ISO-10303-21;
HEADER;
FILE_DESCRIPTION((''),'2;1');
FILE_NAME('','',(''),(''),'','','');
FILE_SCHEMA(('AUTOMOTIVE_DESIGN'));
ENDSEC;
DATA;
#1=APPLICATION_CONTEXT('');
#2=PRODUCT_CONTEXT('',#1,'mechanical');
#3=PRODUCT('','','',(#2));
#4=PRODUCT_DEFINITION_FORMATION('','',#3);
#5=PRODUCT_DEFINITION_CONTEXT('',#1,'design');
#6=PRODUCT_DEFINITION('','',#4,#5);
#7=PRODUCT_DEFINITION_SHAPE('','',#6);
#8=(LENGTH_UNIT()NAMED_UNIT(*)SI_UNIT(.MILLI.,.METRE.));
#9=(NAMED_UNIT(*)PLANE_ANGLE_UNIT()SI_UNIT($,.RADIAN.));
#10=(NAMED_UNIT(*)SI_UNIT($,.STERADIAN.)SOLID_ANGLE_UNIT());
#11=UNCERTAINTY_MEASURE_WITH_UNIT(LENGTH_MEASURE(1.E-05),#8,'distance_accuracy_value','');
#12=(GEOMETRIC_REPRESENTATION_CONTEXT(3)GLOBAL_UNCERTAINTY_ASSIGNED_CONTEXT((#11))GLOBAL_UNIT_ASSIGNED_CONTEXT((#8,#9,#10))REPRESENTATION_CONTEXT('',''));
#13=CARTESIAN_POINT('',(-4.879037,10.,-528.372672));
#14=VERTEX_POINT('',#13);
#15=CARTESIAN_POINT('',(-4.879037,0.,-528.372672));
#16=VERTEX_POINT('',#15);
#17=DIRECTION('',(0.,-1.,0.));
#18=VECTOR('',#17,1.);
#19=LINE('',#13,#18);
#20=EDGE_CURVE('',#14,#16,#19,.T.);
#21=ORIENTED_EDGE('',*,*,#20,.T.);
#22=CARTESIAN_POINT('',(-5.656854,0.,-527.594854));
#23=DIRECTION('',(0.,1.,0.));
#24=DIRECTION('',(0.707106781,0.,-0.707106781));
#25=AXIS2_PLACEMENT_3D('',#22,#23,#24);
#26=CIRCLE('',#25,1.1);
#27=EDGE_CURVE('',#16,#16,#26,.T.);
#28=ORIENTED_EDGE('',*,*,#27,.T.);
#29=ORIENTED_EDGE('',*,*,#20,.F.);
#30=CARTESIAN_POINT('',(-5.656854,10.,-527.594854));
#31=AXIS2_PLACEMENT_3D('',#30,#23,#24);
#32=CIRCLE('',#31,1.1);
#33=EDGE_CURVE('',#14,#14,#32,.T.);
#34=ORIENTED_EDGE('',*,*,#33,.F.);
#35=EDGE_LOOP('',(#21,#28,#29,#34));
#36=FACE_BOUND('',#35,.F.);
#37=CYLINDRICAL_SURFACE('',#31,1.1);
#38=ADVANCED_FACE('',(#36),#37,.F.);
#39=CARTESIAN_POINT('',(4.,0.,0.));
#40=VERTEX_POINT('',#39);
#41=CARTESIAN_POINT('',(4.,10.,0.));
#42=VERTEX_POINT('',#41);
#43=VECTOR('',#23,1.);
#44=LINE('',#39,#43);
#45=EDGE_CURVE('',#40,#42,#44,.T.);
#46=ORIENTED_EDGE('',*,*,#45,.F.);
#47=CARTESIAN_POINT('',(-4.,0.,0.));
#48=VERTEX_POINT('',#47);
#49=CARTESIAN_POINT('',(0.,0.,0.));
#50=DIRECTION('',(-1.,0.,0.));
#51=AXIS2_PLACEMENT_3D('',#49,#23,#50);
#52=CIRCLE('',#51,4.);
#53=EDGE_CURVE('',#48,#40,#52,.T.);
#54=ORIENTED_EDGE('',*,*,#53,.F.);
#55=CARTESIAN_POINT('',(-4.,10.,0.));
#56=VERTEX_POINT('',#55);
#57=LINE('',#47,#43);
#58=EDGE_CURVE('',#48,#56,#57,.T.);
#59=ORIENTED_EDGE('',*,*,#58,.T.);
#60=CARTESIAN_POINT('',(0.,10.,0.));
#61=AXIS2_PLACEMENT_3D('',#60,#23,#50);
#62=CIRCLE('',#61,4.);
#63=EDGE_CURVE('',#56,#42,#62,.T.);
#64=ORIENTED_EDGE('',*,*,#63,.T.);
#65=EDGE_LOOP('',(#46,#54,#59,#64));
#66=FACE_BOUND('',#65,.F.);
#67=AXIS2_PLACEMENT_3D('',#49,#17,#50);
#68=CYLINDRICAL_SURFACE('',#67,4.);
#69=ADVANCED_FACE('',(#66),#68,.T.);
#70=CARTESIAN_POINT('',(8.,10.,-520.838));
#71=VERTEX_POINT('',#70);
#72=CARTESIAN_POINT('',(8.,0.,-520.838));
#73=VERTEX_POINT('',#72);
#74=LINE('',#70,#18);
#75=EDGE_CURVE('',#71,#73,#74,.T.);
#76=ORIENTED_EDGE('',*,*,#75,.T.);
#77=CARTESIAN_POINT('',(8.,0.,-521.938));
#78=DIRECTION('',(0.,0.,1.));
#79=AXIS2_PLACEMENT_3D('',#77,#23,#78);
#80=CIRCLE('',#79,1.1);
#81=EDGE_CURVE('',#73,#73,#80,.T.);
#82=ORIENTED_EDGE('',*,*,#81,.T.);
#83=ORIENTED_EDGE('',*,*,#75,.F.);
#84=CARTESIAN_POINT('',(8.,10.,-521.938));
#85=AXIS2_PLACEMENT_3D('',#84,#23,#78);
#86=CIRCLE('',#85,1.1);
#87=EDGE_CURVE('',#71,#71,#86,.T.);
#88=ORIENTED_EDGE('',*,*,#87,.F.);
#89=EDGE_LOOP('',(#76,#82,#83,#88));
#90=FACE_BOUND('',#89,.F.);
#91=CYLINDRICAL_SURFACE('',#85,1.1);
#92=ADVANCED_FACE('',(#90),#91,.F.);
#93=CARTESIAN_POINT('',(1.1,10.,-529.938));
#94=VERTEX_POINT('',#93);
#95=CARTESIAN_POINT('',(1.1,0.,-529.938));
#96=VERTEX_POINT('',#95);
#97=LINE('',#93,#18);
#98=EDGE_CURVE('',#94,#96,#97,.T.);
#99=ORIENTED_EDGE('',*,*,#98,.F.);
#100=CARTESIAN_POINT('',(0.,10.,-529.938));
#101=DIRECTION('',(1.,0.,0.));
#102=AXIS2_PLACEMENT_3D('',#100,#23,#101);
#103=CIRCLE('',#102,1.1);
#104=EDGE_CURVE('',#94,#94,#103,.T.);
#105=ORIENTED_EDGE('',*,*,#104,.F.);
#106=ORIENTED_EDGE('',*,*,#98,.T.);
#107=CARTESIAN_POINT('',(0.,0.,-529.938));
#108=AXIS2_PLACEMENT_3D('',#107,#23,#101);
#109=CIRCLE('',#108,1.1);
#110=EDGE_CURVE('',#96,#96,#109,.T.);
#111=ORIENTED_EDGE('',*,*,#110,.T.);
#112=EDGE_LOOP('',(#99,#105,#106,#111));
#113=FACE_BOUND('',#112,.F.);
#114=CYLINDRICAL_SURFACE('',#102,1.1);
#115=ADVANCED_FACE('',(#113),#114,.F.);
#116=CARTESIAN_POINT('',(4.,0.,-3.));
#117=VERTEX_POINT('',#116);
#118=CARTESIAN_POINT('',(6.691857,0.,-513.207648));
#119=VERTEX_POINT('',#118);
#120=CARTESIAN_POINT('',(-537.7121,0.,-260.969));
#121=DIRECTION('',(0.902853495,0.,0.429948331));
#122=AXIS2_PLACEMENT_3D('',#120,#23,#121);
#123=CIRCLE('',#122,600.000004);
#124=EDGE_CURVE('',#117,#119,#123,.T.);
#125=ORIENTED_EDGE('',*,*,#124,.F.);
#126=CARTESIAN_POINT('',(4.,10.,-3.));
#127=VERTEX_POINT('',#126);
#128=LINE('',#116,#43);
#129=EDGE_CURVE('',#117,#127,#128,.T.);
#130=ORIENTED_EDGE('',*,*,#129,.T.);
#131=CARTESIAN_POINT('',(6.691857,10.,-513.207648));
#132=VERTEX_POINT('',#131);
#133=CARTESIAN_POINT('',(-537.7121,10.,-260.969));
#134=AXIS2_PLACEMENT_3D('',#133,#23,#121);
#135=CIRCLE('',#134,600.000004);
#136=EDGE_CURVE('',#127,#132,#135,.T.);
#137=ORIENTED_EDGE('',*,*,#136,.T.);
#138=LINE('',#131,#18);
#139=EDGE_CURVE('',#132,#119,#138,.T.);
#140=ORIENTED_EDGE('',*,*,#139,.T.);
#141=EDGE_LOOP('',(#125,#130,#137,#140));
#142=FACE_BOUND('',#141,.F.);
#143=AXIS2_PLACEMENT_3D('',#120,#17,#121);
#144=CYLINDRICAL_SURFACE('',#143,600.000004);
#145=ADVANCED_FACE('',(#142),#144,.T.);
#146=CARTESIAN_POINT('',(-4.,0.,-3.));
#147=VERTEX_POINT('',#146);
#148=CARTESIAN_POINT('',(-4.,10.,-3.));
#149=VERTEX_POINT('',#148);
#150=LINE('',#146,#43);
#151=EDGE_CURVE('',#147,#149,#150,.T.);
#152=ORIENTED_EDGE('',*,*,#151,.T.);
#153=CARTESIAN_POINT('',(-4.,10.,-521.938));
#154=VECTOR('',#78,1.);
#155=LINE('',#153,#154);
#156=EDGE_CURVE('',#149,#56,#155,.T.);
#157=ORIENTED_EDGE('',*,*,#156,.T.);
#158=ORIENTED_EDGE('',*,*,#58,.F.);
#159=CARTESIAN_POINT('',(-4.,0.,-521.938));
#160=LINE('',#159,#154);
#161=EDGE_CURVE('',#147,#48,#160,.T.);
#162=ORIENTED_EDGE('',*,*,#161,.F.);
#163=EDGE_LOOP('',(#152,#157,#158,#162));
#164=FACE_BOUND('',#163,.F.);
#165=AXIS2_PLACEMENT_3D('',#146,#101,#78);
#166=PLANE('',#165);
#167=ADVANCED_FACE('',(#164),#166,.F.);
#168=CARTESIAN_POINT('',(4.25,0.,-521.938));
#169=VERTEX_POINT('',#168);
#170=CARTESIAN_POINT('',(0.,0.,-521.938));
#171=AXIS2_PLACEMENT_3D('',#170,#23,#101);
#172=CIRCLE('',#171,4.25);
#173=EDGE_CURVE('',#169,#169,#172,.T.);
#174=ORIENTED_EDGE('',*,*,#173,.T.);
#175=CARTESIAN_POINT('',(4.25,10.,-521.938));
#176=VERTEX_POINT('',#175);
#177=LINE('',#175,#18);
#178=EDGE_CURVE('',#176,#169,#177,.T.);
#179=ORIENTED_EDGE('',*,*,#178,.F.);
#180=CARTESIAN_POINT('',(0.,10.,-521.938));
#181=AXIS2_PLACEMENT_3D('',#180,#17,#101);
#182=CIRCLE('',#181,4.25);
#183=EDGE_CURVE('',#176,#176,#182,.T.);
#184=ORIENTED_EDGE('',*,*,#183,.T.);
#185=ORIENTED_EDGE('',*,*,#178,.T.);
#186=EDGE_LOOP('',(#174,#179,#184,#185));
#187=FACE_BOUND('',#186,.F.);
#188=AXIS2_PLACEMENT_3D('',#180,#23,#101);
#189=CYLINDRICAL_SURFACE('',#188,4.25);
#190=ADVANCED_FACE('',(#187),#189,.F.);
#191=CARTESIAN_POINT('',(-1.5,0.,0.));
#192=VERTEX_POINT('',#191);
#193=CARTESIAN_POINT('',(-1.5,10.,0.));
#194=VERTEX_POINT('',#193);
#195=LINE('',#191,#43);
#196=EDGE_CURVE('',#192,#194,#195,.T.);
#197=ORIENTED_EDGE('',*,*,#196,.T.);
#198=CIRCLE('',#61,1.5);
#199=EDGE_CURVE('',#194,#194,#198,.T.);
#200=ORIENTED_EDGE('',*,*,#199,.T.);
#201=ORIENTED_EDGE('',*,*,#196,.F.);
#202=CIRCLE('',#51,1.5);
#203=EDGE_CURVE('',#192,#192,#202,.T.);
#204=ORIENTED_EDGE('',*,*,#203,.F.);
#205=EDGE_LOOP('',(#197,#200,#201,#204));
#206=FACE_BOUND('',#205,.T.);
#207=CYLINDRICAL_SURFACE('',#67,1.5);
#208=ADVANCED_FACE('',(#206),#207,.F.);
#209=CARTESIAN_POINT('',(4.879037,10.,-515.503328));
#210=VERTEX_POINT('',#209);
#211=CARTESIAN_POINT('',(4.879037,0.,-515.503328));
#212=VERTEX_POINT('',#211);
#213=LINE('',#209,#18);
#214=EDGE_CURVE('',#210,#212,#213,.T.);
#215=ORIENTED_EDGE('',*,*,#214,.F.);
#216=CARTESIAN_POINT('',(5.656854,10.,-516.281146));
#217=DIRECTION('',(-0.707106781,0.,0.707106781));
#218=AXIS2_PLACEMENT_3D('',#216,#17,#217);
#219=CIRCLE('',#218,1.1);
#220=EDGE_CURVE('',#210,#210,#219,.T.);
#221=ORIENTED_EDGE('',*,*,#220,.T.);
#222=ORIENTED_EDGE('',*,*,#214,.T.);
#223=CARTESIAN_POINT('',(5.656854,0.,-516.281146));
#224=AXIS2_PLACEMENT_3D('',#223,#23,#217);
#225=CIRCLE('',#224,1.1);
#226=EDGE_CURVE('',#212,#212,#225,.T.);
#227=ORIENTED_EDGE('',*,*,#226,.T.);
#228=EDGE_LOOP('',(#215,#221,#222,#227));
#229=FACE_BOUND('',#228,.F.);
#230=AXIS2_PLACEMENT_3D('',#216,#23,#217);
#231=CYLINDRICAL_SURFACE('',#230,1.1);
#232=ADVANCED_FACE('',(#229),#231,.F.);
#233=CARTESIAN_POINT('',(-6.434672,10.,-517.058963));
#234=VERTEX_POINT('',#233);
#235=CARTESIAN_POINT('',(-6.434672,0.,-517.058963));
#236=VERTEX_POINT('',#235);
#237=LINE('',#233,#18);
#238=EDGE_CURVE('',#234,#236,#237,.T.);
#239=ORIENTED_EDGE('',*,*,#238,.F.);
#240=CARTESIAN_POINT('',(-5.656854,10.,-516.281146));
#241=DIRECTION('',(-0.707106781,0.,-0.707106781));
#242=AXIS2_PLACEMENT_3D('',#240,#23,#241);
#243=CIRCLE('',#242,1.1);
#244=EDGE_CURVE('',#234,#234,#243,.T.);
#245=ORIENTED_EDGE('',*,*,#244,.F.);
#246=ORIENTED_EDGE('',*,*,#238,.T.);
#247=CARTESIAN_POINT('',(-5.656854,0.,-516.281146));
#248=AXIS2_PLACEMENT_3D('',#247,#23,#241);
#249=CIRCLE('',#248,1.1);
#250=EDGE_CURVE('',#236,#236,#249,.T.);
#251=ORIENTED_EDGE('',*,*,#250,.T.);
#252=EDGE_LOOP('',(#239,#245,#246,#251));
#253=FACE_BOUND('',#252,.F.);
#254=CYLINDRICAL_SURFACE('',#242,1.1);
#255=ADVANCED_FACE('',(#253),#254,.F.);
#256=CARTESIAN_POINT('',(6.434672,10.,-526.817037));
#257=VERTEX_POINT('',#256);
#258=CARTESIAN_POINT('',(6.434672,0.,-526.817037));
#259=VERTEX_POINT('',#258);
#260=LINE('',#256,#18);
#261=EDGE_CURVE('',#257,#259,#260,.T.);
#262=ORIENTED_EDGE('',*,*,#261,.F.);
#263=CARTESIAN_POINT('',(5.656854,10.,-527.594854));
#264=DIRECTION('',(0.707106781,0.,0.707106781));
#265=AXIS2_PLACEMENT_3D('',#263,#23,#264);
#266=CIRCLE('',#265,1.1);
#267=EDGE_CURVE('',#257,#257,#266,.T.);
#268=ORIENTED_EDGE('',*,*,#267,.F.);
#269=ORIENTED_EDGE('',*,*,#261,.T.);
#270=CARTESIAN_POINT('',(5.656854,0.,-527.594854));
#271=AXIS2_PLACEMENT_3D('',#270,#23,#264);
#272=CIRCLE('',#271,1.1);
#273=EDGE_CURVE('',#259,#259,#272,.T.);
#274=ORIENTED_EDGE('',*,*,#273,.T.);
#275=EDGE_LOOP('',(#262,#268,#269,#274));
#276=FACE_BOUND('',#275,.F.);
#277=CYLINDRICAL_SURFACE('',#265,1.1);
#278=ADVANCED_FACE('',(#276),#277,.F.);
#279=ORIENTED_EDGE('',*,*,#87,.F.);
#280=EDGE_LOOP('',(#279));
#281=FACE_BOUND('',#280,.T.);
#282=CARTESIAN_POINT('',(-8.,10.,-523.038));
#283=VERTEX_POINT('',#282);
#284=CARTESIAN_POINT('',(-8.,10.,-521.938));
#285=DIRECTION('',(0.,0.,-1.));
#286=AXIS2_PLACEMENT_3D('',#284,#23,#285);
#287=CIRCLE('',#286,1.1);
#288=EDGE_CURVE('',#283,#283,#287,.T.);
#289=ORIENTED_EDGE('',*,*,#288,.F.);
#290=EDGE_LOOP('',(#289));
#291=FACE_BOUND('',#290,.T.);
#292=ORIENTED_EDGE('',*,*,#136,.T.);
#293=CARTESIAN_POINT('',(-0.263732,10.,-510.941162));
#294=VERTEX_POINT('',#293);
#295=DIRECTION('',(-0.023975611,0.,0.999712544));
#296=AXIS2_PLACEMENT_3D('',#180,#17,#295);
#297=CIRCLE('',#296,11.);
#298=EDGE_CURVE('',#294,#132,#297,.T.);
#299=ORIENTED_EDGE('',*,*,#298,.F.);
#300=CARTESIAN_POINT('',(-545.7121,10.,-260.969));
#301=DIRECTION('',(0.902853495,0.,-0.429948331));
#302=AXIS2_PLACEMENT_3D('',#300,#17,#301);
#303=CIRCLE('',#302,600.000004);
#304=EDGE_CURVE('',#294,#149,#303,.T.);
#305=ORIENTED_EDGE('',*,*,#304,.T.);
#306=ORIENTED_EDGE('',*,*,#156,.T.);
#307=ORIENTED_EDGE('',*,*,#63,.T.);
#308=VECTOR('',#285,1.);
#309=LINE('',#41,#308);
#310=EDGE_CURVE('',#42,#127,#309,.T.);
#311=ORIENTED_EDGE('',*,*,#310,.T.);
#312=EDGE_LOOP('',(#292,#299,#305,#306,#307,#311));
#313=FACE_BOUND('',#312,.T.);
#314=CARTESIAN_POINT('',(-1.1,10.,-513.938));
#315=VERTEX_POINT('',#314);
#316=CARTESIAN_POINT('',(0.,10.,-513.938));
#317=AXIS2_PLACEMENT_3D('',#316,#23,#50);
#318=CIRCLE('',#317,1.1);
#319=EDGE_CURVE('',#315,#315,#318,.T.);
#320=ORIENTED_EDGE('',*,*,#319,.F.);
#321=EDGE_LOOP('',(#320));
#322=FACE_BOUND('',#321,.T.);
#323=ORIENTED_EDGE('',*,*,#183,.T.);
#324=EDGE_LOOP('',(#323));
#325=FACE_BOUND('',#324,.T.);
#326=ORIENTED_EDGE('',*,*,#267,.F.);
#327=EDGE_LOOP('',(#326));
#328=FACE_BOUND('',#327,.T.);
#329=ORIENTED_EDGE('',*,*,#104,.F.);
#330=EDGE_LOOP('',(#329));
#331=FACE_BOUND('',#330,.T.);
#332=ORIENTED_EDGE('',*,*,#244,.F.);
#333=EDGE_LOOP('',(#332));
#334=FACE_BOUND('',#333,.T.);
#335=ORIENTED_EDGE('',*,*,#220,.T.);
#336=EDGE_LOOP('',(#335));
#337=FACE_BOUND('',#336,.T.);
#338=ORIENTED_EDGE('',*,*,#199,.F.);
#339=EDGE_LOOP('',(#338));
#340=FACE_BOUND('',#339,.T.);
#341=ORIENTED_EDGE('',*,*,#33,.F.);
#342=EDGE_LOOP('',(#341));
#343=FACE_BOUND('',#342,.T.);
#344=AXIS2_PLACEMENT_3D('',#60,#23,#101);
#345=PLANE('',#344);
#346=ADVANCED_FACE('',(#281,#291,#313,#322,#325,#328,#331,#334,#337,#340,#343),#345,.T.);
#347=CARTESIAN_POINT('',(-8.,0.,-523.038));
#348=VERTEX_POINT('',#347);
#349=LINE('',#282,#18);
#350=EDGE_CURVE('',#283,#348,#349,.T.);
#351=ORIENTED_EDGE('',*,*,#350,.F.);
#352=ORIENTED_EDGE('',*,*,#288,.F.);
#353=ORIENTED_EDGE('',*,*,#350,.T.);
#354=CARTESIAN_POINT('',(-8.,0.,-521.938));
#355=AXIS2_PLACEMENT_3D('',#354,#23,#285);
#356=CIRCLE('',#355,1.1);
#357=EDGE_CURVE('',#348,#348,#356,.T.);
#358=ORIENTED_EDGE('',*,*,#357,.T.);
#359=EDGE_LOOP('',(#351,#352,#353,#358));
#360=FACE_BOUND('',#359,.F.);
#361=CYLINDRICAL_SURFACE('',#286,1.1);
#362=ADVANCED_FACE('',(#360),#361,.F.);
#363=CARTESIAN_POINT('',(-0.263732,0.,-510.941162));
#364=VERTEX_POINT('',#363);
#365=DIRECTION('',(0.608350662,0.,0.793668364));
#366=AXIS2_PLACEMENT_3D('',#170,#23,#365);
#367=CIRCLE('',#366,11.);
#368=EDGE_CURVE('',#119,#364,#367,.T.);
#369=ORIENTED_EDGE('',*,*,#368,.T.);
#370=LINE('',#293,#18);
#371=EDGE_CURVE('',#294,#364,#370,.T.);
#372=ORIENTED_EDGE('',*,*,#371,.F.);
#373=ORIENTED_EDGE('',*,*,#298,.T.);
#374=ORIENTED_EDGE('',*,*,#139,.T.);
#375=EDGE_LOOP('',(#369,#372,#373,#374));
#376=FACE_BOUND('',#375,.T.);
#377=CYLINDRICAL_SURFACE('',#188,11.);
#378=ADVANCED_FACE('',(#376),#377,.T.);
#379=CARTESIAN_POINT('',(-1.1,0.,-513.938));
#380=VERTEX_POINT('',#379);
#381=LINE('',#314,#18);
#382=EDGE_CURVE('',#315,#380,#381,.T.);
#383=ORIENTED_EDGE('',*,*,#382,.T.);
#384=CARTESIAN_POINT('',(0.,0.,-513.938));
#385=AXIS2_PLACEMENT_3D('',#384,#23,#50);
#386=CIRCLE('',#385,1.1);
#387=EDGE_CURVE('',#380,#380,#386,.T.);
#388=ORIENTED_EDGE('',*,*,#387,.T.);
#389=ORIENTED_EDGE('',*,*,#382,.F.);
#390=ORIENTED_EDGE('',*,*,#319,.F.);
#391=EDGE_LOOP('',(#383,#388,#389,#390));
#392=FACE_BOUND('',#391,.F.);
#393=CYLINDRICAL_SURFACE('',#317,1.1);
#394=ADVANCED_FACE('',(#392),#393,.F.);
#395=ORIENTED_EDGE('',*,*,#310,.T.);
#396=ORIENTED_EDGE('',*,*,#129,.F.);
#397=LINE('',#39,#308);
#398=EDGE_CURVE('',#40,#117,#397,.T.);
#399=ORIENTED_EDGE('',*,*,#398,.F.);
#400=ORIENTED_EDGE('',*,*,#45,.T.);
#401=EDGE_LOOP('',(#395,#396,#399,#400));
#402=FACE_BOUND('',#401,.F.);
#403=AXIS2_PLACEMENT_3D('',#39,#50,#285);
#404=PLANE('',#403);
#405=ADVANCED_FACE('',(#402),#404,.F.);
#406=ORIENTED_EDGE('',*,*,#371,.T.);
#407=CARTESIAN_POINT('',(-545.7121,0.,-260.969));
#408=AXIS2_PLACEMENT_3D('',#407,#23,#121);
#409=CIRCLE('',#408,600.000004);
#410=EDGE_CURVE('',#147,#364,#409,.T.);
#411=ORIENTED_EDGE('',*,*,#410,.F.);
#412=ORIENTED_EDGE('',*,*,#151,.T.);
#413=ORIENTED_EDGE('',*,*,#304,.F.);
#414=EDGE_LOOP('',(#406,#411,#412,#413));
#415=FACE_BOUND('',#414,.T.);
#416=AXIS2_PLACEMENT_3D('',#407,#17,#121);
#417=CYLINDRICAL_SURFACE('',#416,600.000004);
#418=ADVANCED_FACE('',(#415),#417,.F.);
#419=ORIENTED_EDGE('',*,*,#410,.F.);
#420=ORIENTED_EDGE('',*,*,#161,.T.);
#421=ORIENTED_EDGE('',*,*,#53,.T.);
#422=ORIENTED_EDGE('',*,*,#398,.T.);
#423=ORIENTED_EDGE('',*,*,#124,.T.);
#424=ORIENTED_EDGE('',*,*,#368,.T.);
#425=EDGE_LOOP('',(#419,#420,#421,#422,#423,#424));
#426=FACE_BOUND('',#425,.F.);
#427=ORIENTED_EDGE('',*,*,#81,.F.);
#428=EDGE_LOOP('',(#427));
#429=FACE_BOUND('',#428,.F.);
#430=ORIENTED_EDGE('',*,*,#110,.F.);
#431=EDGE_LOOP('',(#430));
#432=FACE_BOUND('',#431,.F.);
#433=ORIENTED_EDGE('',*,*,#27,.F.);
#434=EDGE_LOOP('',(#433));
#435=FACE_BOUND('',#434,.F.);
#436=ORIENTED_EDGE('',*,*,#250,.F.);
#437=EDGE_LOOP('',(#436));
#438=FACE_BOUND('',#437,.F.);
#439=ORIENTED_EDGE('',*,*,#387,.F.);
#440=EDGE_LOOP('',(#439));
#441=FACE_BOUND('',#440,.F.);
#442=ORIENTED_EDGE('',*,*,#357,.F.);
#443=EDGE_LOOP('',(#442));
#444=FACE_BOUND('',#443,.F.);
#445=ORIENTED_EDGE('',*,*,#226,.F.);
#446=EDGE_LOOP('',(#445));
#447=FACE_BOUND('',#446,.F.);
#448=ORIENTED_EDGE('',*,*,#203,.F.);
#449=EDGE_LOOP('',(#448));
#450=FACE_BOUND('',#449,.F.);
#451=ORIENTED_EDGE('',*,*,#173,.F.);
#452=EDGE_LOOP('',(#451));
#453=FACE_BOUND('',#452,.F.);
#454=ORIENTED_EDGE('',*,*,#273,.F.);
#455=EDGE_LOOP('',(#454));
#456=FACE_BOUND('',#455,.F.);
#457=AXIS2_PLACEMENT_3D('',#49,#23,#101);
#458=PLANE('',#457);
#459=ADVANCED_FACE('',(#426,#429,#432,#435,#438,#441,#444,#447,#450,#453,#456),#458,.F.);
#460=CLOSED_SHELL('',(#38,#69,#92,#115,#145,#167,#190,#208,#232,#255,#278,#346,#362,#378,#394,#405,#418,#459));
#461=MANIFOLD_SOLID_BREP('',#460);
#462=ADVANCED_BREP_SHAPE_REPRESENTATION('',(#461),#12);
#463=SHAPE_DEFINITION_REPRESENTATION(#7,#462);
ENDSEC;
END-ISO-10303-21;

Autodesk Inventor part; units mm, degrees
ref_plane "YZ Plane" through (0, 0, 0) normal (1, 0, 0) x (0, 1, 0)
ref_plane "XZ Plane" through (0, 0, 0) normal (0, 1, 0) x (-1, 0, 0)
ref_plane "XY Plane" through (0, 0, 0) normal (0, 0, 1) x (1, 0, 0)
sketch "Sketch1" plane through (0, 0, 0) normal (0, 1, 0) x (-1, 0, 0)
  line L0 (0, 0) -> (0, -521.938) construction
  line L1 (-4, 0) -> (-4, -521.938)
  line L2 (4, -521.938) -> (4, 0)
  arc A0 (4, 0) -> (-4, 0) centre (0, 0) ccw
  arc A1 (-4, -521.938) -> (4, -521.938) centre (0, -521.938) ccw
  circle A2 centre (0, 0) radius 1.5
  circle A3 centre (0, -521.938) radius 1.5
  arc A4 (-4, -3) -> (-4, -518.938) centre (537.7121, -260.969) ccw
  arc A5 (4, -3) -> (4, -518.938) centre (545.7121, -260.969) ccw
  point P0 (0, -260.969)
  point P1 (-4, -501.4199)
  point P2 (-4, -20.5181)
  dimension "d0" = 8
  dimension "d1" = 521.938
  dimension "d2" = 3
  dimension "d3" = 3
  dimension "d24" = 600
  dimension "d25" = 600
  dimension "d26" = 3
  dimension "d27" = 3
extrude "Extrusion1" add sketch "Sketch1" along normal blind 10 contours A0 L2 A5 L1 | L1 A5 A4 | L1 A5 L2 A1
sketch "Sketch5" plane through (0, 10, 0) normal (0, 1, 0) x (1, 0, 0)
  arc A0 (4, 3) -> (4, 518.938) centre (-537.7121, 260.969) ccw projected
  line L0 (4, 518.938) -> (4, 521.938) projected
  arc A1 (4, 521.938) -> (-4, 521.938) centre (0, 521.938) ccw projected
  line L1 (-4, 521.938) -> (-4, 518.938) projected
  arc A2 (-4, 3) -> (-4, 518.938) centre (-545.7121, 260.969) ccw projected
  line L2 (-4, 3) -> (-4, 0) projected
  arc A3 (-4, 0) -> (4, 0) centre (0, 0) ccw projected
  line L3 (4, 0) -> (4, 3) projected
  circle A4 centre (0, 521.938) radius 1.5 projected
  circle A5 centre (0, 0) radius 1.5 projected
  circle A6 centre (0, 521.938) radius 11
  point P0 (6.6919, 513.2076)
  point P1 (-0.2637, 510.9412)
  dimension "d45" = 22
extrude "Extrusion5" add sketch "Sketch5" against normal blind 10 contours A0 L0 A1 L1 A2 A6 picked at (6.2374, 520.1049)
sketch "Sketch6" plane through (0, 10, 0) normal (0, 1, 0) x (1, 0, 0)
  arc A0 (4, 3) -> (6.6919, 513.2076) centre (-537.7121, 260.969) ccw projected
  arc A1 (6.6919, 513.2076) -> (-0.2637, 510.9412) centre (0, 521.938) ccw projected
  arc A2 (-4, 3) -> (-0.2637, 510.9412) centre (-545.7121, 260.969) ccw projected
  line L0 (-4, 3) -> (-4, 0) projected
  arc A3 (-4, 0) -> (4, 0) centre (0, 0) ccw projected
  line L1 (4, 0) -> (4, 3) projected
  circle A4 centre (0, 521.938) radius 1.5 projected
  circle A5 centre (0, 0) radius 1.5 projected
  circle A6 centre (0, 529.938) radius 1.1
  circle A7 centre (0, 521.938) radius 4.25
  dimension "d48" = 2.2
  dimension "d49" = 8
  dimension "d55" = 8.5
extrude "Extrusion6" cut sketch "Sketch6" against normal blind 100 contours A4 | A6 | A7
pattern_circular "Circular Pattern1" count 8 over 360 about axis through (0, 0, -521.938) along (0, 1, 0) of "Extrusion6"
sketch "Sketch2" plane through (0, 10, 0) normal (0, 1, 0) x (1, 0, 0)
  arc A0 (4, 3) -> (6.6919, 513.2076) centre (-537.7121, 260.969) ccw projected
  arc A1 (-4, 3) -> (-0.2637, 510.9412) centre (-545.7121, 260.969) ccw projected
  line L0 (-4, 3) -> (-4, 0) projected
  arc A2 (-4, 0) -> (4, 0) centre (0, 0) ccw projected
  line L1 (4, 0) -> (4, 3) projected
  circle A3 centre (0, 0) radius 1.5 projected
  arc A4 (-4, 3) -> (-4, 518.938) centre (-545.7121, 260.969) ccw projected
  line L2 (54.2879, 260.969) -> (58.1281, 268.7691)
  line L3 (58.1281, 268.7691) -> (62.2796, 257.8034)
  arc A5 (4, 3) -> (4, 518.938) centre (-537.7121, 260.969) ccw projected
  arc A6 (6.6919, 513.2076) -> (-0.2637, 510.9412) centre (0, 521.938) ccw projected
extrude "Extrusion2" [suppressed]
